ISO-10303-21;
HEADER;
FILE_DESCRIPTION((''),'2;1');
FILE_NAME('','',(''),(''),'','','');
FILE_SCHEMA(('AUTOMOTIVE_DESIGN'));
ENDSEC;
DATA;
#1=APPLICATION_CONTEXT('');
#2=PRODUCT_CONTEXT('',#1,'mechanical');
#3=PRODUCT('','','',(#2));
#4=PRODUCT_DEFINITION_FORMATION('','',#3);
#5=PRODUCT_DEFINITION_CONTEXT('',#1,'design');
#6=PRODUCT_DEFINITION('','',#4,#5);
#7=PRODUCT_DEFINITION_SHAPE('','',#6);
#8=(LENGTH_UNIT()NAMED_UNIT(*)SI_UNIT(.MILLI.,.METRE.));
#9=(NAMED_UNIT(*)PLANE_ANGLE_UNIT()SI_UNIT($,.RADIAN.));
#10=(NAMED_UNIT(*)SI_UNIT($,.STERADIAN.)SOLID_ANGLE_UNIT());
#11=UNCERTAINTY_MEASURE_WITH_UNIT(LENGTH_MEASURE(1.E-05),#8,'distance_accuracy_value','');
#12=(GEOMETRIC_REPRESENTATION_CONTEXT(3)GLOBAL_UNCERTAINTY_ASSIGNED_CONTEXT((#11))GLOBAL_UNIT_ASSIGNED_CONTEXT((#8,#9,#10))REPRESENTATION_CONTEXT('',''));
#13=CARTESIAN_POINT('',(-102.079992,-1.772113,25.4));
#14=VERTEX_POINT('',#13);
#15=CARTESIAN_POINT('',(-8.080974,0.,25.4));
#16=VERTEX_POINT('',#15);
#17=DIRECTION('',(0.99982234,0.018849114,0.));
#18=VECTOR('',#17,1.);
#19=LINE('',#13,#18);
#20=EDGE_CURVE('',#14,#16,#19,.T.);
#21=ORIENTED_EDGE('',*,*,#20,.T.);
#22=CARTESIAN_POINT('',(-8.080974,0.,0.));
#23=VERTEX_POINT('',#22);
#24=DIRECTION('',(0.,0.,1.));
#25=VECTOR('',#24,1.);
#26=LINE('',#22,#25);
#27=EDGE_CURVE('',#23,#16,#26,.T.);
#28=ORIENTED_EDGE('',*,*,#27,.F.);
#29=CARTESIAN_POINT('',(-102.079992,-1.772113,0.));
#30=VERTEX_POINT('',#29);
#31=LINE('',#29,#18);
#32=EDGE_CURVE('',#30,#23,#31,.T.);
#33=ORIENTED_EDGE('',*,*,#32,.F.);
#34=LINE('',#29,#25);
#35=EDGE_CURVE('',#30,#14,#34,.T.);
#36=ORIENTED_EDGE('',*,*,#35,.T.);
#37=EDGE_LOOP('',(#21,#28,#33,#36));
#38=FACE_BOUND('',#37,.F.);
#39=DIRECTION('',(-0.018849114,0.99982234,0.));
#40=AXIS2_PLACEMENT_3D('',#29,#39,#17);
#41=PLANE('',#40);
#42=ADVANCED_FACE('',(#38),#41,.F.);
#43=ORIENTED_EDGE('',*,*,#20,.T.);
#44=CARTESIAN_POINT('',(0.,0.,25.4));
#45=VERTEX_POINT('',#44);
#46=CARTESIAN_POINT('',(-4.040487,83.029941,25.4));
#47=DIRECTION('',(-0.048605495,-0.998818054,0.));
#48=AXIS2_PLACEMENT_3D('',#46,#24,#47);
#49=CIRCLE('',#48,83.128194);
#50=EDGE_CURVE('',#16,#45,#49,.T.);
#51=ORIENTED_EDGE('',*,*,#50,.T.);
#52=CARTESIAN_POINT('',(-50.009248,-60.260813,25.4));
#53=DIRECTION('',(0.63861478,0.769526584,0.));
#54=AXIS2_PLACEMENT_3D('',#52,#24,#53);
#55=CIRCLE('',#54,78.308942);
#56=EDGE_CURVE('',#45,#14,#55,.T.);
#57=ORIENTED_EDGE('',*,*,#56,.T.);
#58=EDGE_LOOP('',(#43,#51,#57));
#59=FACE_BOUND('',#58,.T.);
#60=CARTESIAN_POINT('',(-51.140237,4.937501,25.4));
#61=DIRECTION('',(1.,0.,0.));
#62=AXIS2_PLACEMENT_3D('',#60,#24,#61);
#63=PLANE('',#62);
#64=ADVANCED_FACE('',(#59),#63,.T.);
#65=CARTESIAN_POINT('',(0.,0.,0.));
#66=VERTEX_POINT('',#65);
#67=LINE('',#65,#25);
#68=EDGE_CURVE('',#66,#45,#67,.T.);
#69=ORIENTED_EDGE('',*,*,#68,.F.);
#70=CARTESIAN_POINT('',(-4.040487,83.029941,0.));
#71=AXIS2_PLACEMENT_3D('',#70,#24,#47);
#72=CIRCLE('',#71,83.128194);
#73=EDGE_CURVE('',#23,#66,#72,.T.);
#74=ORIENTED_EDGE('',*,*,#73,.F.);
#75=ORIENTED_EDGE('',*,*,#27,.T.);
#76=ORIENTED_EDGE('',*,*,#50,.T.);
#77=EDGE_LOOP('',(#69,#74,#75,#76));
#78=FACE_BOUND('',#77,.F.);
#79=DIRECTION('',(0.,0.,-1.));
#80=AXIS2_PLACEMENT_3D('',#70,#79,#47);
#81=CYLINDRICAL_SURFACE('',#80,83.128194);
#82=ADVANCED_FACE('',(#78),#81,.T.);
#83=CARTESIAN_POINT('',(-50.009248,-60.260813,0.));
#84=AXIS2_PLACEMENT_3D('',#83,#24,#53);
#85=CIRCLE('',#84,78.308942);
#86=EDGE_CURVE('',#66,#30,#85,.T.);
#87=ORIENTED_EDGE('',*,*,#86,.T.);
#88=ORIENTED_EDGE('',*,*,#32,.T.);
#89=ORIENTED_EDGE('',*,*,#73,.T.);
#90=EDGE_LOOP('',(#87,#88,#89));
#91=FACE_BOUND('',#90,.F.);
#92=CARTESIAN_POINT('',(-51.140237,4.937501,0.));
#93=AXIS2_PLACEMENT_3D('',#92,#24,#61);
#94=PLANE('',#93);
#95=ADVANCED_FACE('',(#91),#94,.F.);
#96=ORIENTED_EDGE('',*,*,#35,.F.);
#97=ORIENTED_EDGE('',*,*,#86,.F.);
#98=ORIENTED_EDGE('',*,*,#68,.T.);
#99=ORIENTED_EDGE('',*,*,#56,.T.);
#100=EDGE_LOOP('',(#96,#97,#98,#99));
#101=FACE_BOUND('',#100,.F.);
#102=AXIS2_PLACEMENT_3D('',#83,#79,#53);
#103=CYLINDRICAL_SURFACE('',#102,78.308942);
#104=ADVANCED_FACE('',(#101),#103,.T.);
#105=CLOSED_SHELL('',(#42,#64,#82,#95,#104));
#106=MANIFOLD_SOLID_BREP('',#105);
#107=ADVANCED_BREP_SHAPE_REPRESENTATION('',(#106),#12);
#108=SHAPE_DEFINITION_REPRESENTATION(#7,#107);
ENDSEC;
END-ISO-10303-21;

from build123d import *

# Parameters (mm, degrees)
F1_DEPTH = 25.4


with BuildPart() as f1:
    # F0 (on Top) → F1 (new body)
    with BuildSketch(Plane.XY):
        with BuildLine():
            ThreePointArc((-8.080974, 0), (-4.040487, -0.098253), (0, 0))
            ThreePointArc((0, 0), (-51.36849, 18.036332), (-102.079992, -1.772113))
            Line((-102.079992, -1.772113), (-8.080974, 0))
        make_face()
    extrude(amount=F1_DEPTH)


solid = f1.part
